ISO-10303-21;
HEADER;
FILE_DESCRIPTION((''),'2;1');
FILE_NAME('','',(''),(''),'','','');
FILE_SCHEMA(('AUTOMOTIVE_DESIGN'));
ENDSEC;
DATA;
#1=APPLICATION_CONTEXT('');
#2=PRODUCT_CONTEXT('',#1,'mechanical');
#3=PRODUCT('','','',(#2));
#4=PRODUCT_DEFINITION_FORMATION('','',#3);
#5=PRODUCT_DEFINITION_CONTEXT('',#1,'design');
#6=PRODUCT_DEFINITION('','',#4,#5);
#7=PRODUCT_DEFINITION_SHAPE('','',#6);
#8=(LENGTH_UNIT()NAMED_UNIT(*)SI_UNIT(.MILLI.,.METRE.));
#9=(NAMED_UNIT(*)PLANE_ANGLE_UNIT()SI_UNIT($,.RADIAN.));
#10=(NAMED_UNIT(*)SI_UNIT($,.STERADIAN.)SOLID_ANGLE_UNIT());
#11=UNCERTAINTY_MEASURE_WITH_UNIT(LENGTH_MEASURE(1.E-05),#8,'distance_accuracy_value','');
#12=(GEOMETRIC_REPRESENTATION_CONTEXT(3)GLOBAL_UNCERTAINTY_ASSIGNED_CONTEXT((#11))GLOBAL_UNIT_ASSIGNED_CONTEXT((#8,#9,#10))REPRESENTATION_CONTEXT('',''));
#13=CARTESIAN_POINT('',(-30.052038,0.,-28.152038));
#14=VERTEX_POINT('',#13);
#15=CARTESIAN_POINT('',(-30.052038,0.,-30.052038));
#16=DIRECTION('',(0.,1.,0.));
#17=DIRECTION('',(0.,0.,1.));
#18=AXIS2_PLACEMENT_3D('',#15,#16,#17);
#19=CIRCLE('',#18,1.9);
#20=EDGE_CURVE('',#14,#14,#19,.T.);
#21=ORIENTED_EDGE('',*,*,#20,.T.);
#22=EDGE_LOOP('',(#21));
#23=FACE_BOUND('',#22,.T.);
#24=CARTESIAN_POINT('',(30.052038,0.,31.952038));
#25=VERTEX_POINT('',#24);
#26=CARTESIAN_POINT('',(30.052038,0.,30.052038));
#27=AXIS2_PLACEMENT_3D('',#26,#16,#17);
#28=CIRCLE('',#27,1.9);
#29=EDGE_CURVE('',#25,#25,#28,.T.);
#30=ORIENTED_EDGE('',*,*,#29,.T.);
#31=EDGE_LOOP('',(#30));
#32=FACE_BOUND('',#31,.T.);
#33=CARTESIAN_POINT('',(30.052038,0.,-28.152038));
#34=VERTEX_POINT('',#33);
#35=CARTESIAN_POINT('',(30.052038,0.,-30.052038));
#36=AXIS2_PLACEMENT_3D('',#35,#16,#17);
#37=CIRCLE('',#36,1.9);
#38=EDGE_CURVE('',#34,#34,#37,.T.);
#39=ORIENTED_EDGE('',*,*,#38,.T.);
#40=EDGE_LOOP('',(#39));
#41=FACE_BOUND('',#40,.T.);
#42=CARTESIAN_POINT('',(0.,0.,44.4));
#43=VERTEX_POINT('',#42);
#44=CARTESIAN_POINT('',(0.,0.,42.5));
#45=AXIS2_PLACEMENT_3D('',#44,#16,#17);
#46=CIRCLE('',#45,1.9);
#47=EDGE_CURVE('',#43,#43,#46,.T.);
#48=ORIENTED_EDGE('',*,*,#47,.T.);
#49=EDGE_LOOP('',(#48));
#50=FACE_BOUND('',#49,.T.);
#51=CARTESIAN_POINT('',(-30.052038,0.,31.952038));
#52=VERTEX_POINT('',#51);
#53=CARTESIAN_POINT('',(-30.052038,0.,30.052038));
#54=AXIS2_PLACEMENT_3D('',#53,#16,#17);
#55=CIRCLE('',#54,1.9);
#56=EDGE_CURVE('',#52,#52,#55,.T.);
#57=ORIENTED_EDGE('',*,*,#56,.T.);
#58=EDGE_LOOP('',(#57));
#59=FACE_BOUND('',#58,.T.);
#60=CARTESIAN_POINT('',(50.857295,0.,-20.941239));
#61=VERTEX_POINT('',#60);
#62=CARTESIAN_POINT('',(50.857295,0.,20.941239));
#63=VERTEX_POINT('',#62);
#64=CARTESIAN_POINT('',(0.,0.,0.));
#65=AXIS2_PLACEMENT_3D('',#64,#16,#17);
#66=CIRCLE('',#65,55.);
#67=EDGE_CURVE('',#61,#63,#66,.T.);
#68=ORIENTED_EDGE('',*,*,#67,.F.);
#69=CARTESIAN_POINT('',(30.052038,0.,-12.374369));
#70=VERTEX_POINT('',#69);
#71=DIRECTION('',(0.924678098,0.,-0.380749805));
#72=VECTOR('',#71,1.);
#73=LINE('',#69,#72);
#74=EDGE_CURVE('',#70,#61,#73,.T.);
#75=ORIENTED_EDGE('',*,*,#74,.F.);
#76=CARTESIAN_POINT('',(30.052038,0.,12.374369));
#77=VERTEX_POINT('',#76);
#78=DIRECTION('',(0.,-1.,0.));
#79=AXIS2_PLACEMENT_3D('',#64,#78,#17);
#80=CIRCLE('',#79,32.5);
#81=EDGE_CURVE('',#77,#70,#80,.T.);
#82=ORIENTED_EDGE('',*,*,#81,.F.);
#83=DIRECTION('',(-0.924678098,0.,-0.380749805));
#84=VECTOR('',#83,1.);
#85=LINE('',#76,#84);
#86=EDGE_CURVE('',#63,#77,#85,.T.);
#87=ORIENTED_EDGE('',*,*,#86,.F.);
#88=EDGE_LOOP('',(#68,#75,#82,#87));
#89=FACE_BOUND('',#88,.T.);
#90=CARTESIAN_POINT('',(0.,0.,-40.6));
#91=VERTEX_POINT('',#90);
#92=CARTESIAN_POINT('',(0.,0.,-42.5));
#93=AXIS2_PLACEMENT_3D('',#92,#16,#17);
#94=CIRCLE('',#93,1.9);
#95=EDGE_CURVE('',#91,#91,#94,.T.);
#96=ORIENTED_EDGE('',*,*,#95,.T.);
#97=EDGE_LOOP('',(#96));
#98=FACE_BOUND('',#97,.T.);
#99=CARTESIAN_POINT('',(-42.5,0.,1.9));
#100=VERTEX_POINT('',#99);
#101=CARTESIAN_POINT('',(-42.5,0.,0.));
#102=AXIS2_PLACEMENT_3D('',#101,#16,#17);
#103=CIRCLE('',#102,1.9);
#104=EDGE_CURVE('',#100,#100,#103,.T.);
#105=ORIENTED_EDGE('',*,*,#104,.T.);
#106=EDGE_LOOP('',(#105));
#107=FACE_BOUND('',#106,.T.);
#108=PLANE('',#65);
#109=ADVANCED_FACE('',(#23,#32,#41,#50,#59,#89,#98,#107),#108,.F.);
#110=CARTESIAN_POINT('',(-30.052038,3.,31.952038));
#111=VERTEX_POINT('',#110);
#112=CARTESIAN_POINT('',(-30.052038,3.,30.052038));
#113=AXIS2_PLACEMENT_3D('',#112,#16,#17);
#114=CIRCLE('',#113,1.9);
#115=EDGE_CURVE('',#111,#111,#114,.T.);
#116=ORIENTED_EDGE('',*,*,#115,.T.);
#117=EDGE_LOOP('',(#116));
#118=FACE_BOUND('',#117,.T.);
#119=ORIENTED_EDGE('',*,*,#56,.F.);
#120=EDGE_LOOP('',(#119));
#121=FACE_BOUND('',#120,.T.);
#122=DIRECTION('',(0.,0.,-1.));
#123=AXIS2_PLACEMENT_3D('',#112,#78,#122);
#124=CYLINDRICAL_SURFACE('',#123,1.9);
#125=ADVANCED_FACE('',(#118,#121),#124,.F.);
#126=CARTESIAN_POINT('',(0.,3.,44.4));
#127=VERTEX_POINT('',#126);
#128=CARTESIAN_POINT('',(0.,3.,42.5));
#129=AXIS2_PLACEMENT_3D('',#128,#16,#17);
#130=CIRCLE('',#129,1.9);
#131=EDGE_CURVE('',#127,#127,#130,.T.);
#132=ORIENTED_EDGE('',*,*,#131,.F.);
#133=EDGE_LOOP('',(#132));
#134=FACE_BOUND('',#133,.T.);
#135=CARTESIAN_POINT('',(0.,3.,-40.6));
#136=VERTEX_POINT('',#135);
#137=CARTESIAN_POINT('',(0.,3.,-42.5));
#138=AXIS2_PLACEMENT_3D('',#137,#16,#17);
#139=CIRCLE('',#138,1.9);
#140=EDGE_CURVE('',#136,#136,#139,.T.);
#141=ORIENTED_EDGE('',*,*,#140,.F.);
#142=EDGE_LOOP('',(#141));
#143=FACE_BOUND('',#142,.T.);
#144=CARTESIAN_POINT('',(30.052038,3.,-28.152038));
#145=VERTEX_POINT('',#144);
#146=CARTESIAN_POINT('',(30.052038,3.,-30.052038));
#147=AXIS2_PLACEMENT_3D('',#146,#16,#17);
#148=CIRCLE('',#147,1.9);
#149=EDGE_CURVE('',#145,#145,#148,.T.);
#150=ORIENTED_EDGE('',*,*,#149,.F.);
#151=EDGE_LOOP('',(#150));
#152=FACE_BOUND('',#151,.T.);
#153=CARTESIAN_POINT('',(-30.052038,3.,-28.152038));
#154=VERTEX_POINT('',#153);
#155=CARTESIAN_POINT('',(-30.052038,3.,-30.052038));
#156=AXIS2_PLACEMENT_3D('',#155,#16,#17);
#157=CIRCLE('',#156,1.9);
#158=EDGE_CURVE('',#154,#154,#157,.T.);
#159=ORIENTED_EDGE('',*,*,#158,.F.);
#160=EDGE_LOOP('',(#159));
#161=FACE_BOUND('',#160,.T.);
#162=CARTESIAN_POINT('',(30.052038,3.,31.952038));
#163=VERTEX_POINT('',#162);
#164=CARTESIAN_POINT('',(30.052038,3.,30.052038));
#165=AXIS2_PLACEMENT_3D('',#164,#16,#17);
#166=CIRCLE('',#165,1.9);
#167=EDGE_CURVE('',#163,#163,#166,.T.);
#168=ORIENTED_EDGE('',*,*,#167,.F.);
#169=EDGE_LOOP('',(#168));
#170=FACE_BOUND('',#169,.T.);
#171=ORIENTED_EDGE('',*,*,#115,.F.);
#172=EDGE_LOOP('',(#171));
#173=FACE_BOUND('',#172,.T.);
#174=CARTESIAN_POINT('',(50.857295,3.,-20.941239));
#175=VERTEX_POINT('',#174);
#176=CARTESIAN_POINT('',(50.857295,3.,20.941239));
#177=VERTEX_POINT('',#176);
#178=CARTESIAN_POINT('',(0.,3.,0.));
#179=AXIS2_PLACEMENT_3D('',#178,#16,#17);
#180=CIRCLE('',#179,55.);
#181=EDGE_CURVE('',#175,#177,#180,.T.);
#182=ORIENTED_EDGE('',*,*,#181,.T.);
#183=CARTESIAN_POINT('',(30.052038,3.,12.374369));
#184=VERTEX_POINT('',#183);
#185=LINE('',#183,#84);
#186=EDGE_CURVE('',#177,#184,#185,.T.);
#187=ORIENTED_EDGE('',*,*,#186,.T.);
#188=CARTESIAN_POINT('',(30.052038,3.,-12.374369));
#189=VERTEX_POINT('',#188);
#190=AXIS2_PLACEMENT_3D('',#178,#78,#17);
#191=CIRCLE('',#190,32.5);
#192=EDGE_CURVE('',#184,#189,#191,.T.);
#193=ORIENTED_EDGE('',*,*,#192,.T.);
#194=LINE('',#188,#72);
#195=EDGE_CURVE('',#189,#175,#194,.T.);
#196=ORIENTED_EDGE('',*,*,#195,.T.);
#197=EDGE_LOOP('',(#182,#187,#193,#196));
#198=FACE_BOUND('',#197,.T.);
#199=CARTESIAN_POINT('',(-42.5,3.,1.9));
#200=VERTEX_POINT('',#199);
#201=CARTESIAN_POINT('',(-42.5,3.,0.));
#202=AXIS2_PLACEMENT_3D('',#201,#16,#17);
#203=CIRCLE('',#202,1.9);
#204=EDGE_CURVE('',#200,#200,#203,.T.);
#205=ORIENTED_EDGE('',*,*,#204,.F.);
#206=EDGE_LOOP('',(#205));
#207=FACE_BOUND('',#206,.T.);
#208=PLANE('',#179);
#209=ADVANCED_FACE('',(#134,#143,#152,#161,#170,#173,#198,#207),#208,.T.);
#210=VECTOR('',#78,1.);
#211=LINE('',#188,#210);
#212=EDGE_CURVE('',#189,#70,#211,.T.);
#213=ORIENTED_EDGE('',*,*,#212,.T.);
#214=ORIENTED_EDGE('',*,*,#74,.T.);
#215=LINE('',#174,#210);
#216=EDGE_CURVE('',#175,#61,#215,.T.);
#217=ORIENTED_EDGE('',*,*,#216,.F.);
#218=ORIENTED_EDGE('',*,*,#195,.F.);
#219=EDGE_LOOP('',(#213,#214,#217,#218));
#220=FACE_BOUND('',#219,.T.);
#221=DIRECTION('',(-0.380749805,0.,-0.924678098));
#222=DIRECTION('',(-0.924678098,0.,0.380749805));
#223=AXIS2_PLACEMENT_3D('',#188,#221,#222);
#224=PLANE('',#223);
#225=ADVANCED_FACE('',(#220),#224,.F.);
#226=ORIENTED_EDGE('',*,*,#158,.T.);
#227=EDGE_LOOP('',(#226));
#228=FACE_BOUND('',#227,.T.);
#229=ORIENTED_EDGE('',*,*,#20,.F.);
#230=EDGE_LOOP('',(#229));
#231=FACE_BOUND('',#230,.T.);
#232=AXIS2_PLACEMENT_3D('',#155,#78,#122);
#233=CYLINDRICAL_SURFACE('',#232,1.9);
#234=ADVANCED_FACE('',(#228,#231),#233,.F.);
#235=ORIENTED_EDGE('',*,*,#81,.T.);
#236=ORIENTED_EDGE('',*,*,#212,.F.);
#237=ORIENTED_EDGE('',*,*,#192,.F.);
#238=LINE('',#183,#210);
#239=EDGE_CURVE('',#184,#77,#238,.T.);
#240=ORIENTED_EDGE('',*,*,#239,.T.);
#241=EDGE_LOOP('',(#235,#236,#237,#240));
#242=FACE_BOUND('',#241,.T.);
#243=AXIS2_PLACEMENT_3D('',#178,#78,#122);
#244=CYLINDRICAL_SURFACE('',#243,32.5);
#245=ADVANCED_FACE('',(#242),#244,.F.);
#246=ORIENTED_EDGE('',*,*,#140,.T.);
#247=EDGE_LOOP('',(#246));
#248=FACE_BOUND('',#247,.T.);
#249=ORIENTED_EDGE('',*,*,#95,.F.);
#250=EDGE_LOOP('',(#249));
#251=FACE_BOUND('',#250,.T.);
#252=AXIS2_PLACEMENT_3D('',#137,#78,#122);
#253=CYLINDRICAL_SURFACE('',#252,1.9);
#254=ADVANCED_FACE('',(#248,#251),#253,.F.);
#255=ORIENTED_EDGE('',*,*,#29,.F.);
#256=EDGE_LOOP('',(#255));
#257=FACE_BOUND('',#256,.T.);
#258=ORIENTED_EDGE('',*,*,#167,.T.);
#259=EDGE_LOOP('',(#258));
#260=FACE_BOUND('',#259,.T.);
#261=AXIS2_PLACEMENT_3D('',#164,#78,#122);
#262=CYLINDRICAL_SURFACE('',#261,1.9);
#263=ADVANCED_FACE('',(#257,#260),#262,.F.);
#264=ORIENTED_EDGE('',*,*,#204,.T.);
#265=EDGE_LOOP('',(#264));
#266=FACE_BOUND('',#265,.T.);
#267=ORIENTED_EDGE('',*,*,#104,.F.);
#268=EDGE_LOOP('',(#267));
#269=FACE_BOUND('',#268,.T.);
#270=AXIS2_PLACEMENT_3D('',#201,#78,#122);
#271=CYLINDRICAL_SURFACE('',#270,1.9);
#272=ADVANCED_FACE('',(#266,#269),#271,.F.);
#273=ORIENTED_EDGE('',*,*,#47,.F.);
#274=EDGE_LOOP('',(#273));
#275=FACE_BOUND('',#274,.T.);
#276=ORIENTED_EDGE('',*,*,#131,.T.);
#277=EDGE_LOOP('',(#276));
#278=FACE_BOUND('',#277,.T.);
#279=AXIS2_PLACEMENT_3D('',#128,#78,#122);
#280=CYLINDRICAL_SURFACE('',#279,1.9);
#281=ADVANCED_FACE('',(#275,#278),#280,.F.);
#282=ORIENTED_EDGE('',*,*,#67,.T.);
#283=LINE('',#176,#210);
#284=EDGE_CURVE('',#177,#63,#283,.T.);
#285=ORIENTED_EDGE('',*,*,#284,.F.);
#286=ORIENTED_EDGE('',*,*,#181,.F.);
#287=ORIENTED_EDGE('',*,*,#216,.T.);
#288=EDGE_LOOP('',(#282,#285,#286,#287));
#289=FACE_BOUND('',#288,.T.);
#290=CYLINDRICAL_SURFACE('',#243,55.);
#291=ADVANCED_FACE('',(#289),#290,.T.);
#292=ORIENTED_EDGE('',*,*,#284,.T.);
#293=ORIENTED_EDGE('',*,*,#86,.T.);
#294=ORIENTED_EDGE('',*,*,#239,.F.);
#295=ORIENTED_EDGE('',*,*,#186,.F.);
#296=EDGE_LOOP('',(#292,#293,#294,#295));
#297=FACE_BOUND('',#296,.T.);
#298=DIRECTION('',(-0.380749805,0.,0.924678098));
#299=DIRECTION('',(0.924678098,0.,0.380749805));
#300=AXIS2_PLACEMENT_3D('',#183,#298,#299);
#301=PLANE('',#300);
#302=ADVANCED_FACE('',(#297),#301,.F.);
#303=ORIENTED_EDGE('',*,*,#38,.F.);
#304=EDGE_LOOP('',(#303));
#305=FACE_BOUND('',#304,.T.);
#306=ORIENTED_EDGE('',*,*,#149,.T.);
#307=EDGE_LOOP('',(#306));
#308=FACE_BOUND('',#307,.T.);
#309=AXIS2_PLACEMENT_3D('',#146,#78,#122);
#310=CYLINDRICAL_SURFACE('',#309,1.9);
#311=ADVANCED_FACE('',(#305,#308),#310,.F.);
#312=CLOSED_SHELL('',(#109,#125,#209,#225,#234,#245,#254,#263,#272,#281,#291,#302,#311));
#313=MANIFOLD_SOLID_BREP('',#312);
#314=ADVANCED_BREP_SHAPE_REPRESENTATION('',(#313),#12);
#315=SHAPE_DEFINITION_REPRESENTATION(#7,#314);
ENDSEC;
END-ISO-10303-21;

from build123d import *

# Parameters (mm, degrees)
SKETCH1_R           = 1.9
BOSS_EXTRUDE1_DEPTH = 3


with BuildPart() as part:
    # Sketch1 → Boss-Extrude1 (new body)
    with BuildSketch(Plane(origin=(0, 0, 0), x_dir=(1, 0, 0), z_dir=(0, 1, 0))):
        with BuildLine():
            Line((30.0520382, 12.374368671), (50.857295416, 20.941239289))
            ThreePointArc((50.857295416, 20.941239289), (-55, 0), (50.857295416, -20.941239289))
            Line((50.857295416, -20.941239289), (30.0520382, -12.374368671))
            ThreePointArc((30.0520382, -12.374368671), (-32.5, 0), (30.0520382, 12.374368671))
        make_face()
        with Locations(Location((0, 42.5, 0), (0, 0, 270))):
            Circle(SKETCH1_R, mode=Mode.SUBTRACT)
        with Locations(Location((30.0520382, 30.0520382, 0), (0, 0, 270))):
            Circle(SKETCH1_R, mode=Mode.SUBTRACT)
        with Locations(Location((30.0520382, -30.0520382, 0), (0, 0, 270))):
            Circle(SKETCH1_R, mode=Mode.SUBTRACT)
        with Locations(Location((0, -42.5, 0), (0, 0, 270))):
            Circle(SKETCH1_R, mode=Mode.SUBTRACT)
        with Locations(Location((-30.0520382, -30.0520382, 0), (0, 0, 270))):
            Circle(SKETCH1_R, mode=Mode.SUBTRACT)
        with Locations(Location((-42.5, 0, 0), (0, 0, 270))):
            Circle(SKETCH1_R, mode=Mode.SUBTRACT)
        with Locations(Location((-30.0520382, 30.0520382, 0), (0, 0, 270))):
            Circle(SKETCH1_R, mode=Mode.SUBTRACT)
    extrude(amount=BOSS_EXTRUDE1_DEPTH)


solid = part.part
